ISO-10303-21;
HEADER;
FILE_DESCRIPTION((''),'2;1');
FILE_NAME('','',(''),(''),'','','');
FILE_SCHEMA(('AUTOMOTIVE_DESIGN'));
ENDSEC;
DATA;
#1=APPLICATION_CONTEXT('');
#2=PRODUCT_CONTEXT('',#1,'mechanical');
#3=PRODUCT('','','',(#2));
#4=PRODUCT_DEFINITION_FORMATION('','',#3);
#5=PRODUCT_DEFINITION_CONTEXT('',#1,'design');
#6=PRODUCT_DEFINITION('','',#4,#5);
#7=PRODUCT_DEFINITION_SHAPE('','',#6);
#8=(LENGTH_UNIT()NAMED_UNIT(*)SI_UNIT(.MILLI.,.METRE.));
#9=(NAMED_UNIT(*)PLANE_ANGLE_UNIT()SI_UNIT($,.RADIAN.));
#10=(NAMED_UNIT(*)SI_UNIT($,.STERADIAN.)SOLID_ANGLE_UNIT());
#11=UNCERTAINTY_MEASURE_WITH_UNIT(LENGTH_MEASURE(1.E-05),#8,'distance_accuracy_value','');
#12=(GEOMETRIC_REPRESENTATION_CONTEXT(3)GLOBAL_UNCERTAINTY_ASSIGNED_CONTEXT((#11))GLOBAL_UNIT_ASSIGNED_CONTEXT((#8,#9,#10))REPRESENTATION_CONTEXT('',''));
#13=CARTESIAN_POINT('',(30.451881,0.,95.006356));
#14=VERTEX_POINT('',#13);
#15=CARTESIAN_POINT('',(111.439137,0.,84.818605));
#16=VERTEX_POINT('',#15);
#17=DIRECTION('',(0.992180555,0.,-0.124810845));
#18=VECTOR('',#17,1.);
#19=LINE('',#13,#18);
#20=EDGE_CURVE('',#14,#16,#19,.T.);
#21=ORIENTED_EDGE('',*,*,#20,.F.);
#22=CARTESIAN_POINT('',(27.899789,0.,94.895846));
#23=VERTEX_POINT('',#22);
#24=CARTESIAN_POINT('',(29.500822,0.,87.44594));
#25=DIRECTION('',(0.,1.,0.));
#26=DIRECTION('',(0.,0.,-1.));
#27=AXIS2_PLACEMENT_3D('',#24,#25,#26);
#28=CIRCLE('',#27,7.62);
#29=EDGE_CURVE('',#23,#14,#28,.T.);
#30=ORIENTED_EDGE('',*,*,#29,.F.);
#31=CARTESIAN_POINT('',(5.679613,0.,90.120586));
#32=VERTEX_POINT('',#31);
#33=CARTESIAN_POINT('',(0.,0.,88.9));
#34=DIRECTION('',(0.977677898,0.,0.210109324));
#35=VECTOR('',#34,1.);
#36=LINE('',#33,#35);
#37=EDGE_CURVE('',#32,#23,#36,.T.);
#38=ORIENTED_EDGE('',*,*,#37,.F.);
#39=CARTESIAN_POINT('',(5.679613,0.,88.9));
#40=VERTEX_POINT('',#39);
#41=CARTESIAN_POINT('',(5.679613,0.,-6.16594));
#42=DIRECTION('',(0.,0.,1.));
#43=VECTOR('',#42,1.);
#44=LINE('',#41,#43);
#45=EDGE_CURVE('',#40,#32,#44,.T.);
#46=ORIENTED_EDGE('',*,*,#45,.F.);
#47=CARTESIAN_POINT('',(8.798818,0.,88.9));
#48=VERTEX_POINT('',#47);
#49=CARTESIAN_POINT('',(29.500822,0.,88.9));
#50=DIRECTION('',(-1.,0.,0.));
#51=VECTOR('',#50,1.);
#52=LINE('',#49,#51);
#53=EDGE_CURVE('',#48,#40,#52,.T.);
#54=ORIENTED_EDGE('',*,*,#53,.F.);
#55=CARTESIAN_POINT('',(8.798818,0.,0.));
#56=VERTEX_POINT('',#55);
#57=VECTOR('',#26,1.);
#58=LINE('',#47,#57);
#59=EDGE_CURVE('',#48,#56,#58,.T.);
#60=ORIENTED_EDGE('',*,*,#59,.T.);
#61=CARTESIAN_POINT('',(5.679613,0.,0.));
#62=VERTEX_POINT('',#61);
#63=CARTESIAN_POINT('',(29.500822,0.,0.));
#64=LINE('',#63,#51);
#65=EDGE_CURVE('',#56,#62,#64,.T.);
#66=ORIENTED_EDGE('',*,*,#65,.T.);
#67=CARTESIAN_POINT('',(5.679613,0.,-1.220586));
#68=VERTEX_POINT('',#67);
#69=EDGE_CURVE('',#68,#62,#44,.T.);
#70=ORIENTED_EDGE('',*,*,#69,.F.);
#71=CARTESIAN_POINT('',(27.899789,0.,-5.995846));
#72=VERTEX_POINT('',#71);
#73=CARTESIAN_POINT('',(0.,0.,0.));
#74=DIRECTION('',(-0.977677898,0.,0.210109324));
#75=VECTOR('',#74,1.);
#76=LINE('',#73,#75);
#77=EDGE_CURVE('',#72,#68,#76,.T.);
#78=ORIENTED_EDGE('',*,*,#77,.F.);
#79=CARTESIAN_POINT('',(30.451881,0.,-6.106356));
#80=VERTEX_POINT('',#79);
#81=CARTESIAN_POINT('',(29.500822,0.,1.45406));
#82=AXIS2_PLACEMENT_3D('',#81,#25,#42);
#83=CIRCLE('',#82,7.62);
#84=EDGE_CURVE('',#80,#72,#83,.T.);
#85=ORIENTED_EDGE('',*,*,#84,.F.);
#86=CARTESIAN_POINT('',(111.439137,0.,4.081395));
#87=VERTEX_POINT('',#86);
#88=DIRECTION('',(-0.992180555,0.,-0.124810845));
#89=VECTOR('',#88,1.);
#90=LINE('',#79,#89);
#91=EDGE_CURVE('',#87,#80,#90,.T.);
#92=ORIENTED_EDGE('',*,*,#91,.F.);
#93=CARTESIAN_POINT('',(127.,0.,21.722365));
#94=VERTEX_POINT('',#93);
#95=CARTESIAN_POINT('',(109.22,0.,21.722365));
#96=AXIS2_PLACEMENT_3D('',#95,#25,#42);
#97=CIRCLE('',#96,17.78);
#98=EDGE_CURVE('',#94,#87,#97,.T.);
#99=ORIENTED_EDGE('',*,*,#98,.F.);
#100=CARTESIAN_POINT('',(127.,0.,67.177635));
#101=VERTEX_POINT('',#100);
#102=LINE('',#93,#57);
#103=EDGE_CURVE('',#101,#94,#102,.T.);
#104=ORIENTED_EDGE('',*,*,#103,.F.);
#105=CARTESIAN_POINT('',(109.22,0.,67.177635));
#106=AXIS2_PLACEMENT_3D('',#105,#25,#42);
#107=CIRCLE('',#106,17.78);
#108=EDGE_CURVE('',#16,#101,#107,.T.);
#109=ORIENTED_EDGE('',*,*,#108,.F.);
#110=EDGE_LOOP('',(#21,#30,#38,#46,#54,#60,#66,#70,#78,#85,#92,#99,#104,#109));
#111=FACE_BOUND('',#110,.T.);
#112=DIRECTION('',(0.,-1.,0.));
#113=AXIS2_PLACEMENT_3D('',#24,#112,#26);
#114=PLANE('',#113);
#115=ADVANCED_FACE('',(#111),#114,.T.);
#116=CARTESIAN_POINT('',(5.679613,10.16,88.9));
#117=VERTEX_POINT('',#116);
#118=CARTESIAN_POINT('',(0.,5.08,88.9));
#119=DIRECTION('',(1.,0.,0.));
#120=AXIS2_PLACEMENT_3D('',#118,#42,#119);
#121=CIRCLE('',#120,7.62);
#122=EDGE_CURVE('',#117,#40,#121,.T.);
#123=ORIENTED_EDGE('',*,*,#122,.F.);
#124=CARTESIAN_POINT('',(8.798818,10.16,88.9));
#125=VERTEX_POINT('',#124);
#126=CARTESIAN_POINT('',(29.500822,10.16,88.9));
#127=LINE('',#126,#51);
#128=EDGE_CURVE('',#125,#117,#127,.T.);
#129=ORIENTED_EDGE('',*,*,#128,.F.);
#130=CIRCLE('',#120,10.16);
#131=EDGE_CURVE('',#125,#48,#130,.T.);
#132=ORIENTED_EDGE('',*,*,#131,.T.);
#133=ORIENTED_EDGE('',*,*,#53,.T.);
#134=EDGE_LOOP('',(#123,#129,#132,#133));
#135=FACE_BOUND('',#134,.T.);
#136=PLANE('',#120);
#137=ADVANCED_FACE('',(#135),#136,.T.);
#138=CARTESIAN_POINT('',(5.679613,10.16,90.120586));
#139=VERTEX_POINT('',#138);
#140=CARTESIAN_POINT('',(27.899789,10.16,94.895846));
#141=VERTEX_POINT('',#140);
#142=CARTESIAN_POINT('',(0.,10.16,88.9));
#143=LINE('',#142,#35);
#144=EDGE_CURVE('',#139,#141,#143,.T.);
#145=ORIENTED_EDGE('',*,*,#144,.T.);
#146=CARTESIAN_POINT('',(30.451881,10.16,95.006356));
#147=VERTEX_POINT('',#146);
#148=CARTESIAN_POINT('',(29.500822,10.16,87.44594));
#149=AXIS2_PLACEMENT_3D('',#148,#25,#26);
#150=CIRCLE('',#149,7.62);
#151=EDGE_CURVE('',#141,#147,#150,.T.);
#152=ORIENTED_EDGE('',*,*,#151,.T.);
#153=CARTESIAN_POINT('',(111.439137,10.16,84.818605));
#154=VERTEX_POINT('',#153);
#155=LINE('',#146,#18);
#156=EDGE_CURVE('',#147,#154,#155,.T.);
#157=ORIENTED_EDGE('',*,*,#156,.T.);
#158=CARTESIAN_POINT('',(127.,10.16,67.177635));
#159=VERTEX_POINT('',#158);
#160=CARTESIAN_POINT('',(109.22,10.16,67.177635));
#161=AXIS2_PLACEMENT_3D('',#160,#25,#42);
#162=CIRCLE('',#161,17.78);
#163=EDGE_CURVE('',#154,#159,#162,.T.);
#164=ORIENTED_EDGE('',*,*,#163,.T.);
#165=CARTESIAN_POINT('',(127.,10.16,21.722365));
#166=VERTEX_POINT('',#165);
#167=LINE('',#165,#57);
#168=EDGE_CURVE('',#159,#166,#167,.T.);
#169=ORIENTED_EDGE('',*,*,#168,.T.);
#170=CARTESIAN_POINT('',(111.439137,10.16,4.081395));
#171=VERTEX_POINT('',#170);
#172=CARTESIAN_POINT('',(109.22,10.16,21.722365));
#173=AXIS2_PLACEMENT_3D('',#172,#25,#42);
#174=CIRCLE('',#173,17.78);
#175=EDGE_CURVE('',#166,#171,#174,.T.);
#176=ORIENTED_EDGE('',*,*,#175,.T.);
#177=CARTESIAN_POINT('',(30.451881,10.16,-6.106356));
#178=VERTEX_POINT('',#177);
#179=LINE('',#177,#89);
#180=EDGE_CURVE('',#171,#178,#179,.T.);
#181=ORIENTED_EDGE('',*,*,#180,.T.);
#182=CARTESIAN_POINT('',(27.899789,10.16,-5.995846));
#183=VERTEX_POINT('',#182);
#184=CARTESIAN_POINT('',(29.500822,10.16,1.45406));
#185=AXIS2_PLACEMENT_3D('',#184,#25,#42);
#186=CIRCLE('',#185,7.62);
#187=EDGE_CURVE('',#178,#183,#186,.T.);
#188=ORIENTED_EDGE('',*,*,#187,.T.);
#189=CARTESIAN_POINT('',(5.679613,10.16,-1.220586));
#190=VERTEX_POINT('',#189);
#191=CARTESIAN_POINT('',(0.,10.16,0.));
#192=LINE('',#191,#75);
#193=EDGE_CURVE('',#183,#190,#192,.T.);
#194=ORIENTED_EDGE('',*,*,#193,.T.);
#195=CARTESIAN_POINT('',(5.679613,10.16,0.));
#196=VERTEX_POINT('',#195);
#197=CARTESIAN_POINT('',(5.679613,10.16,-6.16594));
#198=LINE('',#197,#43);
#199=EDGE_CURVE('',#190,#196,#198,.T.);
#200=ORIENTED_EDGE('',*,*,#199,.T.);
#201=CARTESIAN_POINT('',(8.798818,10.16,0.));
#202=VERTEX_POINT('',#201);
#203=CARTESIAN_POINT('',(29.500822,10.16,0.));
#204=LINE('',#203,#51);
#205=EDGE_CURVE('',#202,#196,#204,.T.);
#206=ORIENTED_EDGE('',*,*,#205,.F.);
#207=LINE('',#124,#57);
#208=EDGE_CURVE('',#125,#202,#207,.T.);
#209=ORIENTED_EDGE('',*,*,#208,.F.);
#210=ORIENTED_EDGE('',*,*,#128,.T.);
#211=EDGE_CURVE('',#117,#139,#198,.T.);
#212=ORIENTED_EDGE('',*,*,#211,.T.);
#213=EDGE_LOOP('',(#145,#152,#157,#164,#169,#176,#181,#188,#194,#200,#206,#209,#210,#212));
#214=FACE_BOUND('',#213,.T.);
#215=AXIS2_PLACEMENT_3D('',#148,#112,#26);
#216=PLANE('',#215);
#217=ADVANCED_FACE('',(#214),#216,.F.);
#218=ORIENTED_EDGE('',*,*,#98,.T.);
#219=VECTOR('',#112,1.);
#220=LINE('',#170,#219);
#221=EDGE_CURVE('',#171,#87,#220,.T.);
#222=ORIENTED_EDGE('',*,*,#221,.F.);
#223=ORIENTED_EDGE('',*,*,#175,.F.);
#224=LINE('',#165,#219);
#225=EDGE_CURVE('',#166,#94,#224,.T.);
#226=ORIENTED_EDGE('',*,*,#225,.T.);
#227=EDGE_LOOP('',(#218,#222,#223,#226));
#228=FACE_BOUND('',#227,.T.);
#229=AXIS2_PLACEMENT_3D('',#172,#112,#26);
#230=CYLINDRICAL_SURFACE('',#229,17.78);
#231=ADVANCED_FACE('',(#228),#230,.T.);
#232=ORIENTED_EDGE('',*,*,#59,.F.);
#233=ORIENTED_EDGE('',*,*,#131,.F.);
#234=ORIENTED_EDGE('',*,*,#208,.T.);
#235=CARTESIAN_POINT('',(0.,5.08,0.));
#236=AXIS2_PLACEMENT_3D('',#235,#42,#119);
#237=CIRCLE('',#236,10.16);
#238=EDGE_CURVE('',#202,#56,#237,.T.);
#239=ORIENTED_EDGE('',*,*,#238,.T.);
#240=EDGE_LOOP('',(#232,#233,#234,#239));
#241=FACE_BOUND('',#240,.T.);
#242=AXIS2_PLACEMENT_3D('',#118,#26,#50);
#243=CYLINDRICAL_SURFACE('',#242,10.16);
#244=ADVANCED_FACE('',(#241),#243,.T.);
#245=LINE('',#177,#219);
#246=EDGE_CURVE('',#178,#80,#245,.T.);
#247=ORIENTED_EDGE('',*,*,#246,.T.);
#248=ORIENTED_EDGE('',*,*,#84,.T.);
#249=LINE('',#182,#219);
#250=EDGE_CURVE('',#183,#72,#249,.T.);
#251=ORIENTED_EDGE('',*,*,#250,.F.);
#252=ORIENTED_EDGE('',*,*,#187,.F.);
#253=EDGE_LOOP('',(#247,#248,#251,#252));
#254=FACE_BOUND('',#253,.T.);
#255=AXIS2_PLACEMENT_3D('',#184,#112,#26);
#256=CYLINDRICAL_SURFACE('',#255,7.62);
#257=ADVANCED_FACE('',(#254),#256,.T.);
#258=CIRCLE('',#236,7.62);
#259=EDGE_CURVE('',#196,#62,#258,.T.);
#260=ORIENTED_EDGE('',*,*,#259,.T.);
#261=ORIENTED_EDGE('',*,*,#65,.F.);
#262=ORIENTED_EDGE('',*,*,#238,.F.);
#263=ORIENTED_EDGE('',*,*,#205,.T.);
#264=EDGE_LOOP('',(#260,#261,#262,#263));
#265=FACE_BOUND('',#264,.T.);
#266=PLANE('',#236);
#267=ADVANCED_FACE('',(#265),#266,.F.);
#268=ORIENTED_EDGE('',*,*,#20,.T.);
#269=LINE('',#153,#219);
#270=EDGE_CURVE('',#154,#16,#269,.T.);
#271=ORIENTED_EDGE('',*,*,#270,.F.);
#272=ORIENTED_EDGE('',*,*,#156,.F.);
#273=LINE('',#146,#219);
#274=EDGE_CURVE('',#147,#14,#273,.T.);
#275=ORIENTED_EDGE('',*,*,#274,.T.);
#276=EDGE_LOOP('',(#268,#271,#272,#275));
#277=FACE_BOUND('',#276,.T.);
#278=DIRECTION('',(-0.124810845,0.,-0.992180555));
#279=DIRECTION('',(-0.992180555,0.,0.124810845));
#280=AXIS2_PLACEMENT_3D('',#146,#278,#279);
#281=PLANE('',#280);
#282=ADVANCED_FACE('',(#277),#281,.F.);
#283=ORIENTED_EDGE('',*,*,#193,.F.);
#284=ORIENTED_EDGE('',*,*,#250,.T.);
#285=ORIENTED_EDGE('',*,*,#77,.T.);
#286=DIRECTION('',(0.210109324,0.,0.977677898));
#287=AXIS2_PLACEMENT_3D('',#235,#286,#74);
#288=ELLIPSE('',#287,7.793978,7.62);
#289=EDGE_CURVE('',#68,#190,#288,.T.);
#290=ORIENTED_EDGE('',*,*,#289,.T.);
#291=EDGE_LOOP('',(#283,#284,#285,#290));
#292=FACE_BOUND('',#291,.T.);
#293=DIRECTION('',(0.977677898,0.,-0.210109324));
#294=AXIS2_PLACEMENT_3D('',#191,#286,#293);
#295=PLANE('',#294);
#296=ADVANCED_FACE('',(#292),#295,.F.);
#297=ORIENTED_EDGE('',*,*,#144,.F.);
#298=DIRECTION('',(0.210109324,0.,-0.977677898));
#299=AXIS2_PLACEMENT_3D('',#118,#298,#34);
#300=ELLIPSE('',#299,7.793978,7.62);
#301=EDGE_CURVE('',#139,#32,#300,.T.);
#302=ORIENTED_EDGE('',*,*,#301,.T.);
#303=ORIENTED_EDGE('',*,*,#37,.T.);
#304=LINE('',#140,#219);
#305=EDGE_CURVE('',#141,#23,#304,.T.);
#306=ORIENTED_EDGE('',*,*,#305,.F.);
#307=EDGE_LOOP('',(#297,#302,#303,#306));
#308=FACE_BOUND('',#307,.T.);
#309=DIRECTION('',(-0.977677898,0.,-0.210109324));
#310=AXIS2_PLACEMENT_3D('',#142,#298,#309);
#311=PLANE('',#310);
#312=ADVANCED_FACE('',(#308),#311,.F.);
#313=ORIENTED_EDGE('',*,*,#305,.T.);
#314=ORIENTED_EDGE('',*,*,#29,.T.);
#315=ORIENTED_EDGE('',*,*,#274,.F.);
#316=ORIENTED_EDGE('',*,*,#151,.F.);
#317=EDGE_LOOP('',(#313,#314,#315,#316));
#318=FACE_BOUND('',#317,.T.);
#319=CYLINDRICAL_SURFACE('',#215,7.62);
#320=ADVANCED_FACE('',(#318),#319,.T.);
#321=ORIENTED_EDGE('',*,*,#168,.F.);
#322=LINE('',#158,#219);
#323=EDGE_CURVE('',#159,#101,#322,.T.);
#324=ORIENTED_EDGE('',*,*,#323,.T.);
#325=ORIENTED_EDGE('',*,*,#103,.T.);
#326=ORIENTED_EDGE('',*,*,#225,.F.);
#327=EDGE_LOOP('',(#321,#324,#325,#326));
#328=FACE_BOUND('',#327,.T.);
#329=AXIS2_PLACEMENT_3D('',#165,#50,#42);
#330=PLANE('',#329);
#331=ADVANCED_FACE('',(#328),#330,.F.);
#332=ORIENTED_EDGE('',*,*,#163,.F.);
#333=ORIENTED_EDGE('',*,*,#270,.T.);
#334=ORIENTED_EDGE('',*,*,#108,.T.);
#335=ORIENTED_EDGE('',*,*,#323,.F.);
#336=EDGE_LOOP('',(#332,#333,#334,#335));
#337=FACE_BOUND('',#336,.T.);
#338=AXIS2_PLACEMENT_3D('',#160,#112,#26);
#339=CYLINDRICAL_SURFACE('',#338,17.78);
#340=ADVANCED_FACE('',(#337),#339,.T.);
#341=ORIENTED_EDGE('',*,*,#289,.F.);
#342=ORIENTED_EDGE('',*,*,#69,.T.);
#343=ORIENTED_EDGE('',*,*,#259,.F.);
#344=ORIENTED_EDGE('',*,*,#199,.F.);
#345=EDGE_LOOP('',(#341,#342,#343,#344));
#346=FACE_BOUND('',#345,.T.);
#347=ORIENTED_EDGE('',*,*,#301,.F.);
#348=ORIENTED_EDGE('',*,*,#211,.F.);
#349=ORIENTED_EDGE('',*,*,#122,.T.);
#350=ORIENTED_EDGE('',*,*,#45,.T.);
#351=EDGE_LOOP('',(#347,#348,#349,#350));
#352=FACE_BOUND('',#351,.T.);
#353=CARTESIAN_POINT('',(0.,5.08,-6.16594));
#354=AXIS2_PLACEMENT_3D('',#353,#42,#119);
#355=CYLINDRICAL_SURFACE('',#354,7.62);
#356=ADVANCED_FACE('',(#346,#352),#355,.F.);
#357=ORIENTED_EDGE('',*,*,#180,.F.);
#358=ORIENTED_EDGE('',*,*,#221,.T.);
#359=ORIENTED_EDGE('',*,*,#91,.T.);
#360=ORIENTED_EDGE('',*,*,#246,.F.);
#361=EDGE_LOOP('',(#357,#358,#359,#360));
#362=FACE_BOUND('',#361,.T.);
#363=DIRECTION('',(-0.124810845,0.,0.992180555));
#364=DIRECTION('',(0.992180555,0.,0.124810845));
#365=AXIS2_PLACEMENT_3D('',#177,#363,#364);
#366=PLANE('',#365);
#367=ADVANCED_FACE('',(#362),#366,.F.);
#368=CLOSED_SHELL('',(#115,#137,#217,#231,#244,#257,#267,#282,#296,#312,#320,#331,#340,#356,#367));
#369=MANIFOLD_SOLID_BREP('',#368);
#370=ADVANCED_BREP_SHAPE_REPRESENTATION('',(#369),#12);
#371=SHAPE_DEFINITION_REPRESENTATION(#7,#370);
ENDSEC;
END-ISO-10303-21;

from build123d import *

# Parameters (mm, degrees)
BOSS_EXTRUDE1_DEPTH     = 10.16
SKETCH4_R               = 10.16
BOSS_EXTRUDE2_DEPTH     = 88.9
CUT_EXTRUDE1_DEPTH      = 160.369980112
CUT_EXTRUDE1_DEPTH_BACK = 160.369980112
SKETCH5_R               = 7.62


with BuildPart() as part:
    # Sketch1 → Boss-Extrude1 (new body)
    with BuildSketch(Plane(origin=(0, 0, 0), x_dir=(1, 0, 0), z_dir=(0, 1, 0))):
        with BuildLine():
            Line((0, 0), (27.899788868, 5.995845649))
            ThreePointArc((27.899788868, 5.995845649), (29.17117087, 6.158806163), (30.451880553, 6.106355894))
            Line((30.451880553, 6.106355894), (111.439136822, -4.081394546))
            ThreePointArc((111.439136822, -4.081394546), (122.553878894, -9.960729137), (127, -21.722364808))
            Line((127, -21.722364808), (127, -67.177635192))
            ThreePointArc((127, -67.177635192), (122.553878894, -78.939270863), (111.439136822, -84.818605454))
            Line((111.439136822, -84.818605454), (30.451880553, -95.006355894))
            ThreePointArc((30.451880553, -95.006355894), (29.17117087, -95.058806163), (27.899788868, -94.895845649))
            Line((27.899788868, -94.895845649), (0, -88.9))
            Line((0, -88.9), (0, 0))
        make_face()
    extrude(amount=BOSS_EXTRUDE1_DEPTH)

    # Sketch4 → Boss-Extrude2 (add)
    with BuildSketch(Plane.XY):
        with Locations((0, 5.08)):
            Circle(SKETCH4_R)
    extrude(amount=BOSS_EXTRUDE2_DEPTH)

    # Sketch5 → Cut-Extrude1 (cut, two sides: drawn at the far end of the back side and taken through both)
    with BuildSketch(Plane.XY.offset(-CUT_EXTRUDE1_DEPTH_BACK)):
        with Locations(Location((0, 5.08, 0), (0, 0, 41.810314896))):
            Circle(SKETCH5_R)
    extrude(amount=CUT_EXTRUDE1_DEPTH + CUT_EXTRUDE1_DEPTH_BACK, mode=Mode.SUBTRACT)


solid = part.part
